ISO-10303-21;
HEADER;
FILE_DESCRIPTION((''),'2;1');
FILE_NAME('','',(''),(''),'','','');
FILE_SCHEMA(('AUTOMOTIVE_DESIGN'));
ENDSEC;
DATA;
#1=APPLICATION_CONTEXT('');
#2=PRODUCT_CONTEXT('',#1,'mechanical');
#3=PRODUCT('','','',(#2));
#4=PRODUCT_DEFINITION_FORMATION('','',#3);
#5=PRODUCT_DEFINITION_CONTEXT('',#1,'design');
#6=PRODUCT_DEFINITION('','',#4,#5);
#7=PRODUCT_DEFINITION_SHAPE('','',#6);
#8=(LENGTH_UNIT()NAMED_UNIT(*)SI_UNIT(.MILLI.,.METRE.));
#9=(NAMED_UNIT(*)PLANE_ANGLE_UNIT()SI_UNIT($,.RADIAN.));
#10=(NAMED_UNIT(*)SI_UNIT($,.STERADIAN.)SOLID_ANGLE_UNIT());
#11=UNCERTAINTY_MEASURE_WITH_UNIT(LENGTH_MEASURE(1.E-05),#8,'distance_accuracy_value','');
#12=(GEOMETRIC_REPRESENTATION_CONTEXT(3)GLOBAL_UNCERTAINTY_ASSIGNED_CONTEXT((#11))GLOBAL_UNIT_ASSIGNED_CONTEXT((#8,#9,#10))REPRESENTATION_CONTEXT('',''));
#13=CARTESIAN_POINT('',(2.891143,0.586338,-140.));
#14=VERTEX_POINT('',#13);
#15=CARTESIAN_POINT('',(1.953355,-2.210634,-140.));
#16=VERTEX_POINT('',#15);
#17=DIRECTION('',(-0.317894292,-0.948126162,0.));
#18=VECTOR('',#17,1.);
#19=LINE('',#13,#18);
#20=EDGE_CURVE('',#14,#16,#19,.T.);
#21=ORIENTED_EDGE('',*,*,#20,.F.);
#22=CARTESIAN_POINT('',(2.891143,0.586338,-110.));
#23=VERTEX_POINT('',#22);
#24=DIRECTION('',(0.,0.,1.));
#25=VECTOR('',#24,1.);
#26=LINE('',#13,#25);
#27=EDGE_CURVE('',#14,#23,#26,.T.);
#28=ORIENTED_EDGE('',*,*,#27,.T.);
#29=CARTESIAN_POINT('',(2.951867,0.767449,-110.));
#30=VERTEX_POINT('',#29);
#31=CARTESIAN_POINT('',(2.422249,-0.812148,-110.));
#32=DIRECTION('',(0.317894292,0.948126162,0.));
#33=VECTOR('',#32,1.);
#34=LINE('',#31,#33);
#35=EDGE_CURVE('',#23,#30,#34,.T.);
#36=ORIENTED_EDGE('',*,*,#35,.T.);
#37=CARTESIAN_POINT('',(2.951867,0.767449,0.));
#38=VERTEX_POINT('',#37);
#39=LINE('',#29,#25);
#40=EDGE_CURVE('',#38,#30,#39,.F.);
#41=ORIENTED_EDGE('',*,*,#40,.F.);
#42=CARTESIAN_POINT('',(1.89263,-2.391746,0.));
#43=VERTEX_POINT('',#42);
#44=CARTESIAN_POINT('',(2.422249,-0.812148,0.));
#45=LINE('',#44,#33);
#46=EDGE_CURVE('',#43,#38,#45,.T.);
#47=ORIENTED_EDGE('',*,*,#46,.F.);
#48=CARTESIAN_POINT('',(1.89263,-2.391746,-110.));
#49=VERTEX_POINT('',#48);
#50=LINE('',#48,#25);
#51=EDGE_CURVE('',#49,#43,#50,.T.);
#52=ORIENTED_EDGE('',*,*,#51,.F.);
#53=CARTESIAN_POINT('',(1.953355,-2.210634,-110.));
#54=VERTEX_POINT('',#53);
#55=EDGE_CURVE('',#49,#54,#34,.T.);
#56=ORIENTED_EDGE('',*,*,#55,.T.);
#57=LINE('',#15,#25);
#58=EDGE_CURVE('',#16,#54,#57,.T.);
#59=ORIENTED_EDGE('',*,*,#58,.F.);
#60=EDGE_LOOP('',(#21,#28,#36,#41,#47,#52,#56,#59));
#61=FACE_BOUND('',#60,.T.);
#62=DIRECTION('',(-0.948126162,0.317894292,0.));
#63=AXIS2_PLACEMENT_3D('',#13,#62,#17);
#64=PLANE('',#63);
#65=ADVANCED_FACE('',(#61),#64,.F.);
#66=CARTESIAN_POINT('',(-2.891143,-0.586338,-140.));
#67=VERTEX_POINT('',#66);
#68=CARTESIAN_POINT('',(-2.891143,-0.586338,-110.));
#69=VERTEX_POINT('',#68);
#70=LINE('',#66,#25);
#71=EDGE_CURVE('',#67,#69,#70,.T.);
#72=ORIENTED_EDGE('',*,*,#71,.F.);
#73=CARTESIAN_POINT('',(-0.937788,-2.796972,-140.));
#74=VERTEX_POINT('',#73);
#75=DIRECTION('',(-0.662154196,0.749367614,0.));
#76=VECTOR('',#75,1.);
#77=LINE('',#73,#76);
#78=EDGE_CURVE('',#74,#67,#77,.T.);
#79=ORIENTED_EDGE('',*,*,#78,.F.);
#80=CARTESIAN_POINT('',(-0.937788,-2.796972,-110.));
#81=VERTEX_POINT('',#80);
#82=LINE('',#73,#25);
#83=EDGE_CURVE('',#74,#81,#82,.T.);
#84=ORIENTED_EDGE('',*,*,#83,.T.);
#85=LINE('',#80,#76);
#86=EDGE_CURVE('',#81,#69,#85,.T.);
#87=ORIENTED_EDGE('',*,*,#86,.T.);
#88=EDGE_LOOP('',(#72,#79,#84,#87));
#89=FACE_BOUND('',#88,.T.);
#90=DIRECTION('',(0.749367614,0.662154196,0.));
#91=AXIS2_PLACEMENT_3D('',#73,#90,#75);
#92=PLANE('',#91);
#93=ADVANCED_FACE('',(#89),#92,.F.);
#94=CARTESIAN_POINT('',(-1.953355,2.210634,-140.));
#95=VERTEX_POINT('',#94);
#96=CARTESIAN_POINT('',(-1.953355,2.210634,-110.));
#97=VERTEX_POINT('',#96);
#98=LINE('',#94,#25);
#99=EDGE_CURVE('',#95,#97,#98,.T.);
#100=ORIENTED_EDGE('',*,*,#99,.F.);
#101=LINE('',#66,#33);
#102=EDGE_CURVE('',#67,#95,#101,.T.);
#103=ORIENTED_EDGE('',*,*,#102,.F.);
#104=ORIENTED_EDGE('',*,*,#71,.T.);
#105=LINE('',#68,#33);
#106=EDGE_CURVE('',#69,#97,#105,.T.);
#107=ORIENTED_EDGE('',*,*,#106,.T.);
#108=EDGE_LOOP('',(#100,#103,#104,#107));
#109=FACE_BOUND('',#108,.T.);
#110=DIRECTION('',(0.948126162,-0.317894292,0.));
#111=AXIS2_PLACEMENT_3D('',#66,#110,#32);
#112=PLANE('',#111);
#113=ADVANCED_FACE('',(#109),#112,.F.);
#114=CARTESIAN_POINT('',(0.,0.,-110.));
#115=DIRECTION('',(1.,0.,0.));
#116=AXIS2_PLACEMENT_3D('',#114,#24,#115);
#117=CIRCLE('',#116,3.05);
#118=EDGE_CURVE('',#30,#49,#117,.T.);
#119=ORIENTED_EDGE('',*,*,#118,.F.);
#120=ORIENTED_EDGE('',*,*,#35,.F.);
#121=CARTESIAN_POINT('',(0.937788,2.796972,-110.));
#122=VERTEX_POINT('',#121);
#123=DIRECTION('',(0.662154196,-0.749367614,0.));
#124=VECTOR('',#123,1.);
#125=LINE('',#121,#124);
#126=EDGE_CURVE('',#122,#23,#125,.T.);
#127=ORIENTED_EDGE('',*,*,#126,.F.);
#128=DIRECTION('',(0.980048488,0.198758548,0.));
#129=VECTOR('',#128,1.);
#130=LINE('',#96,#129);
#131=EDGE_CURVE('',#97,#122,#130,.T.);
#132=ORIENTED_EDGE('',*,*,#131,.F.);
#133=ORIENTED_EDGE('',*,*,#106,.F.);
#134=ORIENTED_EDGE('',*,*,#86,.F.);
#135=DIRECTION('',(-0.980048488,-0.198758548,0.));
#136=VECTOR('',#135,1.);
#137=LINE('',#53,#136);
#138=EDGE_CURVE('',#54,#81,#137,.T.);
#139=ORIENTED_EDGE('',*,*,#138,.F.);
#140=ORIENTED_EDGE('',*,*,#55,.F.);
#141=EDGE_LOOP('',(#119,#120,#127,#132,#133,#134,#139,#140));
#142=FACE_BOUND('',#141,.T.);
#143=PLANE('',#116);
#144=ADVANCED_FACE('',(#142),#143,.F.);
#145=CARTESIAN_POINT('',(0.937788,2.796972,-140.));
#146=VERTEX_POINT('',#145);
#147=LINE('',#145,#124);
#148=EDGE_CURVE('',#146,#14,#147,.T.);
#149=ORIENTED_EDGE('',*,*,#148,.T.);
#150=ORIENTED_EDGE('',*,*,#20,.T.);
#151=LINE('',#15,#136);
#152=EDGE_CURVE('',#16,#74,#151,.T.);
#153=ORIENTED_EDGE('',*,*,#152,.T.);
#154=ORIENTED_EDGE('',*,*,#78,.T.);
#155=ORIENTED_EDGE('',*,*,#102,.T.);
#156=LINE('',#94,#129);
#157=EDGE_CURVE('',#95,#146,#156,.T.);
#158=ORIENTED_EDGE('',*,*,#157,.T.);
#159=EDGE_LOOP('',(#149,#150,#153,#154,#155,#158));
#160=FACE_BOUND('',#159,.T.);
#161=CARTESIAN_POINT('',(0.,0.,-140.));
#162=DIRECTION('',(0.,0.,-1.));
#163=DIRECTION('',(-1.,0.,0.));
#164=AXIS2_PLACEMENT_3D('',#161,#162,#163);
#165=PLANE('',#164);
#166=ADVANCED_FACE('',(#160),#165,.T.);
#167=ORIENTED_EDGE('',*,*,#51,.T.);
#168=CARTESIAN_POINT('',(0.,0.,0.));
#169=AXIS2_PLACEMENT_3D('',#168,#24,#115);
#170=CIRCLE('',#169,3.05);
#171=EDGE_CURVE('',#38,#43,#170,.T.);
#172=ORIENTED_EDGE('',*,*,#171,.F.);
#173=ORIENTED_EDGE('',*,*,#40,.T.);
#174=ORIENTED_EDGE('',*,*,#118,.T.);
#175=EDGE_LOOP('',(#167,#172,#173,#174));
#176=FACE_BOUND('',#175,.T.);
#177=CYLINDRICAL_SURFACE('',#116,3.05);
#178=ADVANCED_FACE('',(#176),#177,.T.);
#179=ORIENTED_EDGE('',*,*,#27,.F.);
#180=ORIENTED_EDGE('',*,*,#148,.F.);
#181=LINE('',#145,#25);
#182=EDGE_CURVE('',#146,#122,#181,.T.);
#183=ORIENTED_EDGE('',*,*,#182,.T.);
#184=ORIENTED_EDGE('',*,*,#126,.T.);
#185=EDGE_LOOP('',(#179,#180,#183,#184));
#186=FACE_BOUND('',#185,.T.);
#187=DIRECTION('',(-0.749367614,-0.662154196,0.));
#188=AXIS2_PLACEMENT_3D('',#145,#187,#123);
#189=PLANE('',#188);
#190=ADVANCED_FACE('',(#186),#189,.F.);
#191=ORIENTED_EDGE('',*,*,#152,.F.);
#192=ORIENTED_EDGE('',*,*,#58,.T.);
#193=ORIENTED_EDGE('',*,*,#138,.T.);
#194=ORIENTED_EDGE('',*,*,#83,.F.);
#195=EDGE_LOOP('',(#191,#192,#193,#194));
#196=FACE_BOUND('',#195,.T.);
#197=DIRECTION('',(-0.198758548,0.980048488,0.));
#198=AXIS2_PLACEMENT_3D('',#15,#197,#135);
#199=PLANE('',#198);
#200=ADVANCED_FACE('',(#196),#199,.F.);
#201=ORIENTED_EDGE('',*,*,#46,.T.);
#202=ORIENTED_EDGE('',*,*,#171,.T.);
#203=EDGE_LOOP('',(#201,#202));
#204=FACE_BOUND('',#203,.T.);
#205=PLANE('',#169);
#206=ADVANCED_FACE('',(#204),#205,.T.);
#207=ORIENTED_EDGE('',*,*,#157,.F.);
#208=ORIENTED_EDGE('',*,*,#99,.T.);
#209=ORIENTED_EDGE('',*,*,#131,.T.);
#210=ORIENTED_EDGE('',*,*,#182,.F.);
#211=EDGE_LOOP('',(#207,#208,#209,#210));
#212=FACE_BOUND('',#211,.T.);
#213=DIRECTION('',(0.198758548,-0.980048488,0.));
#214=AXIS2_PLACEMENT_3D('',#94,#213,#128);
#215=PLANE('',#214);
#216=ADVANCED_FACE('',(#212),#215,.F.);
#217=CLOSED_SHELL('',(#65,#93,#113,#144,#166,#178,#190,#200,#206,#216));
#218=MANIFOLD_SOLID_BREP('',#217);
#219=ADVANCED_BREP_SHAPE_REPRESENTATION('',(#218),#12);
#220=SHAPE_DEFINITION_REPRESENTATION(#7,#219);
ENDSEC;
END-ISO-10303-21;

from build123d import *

# Parameters (mm, degrees)
SKETCH_1_R          = 3.05
EXTRUDE_1_DEPTH     = 110
EXTRUDE_2_DEPTH     = 30
SKETCH_3_W          = 148.461439859
SKETCH_3_H          = 21.991651446
CUT_EXTRUDE_1_DEPTH = 141.160128777


with BuildPart() as part:
    # 草图1 → 凸台-拉伸1 (new body)
    with BuildSketch(Plane.XY):
        Circle(SKETCH_1_R)
    extrude(amount=-EXTRUDE_1_DEPTH)

    # 草图2 → 凸台-拉伸2 (add)
    with BuildSketch(Plane(origin=(0, 0, -110), x_dir=(-1, 0, 0), z_dir=(0, 0, -1))):
        Polygon((1.953354878, 2.210634461), (-0.937788163, 2.796972178), (-2.891143041, 0.586337717), (-1.953354878, -2.210634461), (0.937788163, -2.796972178), (2.891143041, -0.586337717), align=None)
    extrude(amount=EXTRUDE_2_DEPTH)

    # 草图3 → 切除-拉伸1 (cut, through all)
    with BuildSketch(Plane(origin=(2.422248959, -0.812148372, 0), x_dir=(0, 0, -1), z_dir=(0.9481261618829849, -0.3178942924197286, 0))):
        with Locations((68.647762533, -0.511106719)):
            Rectangle(SKETCH_3_W, SKETCH_3_H)
    extrude(amount=CUT_EXTRUDE_1_DEPTH, mode=Mode.SUBTRACT)


solid = part.part
